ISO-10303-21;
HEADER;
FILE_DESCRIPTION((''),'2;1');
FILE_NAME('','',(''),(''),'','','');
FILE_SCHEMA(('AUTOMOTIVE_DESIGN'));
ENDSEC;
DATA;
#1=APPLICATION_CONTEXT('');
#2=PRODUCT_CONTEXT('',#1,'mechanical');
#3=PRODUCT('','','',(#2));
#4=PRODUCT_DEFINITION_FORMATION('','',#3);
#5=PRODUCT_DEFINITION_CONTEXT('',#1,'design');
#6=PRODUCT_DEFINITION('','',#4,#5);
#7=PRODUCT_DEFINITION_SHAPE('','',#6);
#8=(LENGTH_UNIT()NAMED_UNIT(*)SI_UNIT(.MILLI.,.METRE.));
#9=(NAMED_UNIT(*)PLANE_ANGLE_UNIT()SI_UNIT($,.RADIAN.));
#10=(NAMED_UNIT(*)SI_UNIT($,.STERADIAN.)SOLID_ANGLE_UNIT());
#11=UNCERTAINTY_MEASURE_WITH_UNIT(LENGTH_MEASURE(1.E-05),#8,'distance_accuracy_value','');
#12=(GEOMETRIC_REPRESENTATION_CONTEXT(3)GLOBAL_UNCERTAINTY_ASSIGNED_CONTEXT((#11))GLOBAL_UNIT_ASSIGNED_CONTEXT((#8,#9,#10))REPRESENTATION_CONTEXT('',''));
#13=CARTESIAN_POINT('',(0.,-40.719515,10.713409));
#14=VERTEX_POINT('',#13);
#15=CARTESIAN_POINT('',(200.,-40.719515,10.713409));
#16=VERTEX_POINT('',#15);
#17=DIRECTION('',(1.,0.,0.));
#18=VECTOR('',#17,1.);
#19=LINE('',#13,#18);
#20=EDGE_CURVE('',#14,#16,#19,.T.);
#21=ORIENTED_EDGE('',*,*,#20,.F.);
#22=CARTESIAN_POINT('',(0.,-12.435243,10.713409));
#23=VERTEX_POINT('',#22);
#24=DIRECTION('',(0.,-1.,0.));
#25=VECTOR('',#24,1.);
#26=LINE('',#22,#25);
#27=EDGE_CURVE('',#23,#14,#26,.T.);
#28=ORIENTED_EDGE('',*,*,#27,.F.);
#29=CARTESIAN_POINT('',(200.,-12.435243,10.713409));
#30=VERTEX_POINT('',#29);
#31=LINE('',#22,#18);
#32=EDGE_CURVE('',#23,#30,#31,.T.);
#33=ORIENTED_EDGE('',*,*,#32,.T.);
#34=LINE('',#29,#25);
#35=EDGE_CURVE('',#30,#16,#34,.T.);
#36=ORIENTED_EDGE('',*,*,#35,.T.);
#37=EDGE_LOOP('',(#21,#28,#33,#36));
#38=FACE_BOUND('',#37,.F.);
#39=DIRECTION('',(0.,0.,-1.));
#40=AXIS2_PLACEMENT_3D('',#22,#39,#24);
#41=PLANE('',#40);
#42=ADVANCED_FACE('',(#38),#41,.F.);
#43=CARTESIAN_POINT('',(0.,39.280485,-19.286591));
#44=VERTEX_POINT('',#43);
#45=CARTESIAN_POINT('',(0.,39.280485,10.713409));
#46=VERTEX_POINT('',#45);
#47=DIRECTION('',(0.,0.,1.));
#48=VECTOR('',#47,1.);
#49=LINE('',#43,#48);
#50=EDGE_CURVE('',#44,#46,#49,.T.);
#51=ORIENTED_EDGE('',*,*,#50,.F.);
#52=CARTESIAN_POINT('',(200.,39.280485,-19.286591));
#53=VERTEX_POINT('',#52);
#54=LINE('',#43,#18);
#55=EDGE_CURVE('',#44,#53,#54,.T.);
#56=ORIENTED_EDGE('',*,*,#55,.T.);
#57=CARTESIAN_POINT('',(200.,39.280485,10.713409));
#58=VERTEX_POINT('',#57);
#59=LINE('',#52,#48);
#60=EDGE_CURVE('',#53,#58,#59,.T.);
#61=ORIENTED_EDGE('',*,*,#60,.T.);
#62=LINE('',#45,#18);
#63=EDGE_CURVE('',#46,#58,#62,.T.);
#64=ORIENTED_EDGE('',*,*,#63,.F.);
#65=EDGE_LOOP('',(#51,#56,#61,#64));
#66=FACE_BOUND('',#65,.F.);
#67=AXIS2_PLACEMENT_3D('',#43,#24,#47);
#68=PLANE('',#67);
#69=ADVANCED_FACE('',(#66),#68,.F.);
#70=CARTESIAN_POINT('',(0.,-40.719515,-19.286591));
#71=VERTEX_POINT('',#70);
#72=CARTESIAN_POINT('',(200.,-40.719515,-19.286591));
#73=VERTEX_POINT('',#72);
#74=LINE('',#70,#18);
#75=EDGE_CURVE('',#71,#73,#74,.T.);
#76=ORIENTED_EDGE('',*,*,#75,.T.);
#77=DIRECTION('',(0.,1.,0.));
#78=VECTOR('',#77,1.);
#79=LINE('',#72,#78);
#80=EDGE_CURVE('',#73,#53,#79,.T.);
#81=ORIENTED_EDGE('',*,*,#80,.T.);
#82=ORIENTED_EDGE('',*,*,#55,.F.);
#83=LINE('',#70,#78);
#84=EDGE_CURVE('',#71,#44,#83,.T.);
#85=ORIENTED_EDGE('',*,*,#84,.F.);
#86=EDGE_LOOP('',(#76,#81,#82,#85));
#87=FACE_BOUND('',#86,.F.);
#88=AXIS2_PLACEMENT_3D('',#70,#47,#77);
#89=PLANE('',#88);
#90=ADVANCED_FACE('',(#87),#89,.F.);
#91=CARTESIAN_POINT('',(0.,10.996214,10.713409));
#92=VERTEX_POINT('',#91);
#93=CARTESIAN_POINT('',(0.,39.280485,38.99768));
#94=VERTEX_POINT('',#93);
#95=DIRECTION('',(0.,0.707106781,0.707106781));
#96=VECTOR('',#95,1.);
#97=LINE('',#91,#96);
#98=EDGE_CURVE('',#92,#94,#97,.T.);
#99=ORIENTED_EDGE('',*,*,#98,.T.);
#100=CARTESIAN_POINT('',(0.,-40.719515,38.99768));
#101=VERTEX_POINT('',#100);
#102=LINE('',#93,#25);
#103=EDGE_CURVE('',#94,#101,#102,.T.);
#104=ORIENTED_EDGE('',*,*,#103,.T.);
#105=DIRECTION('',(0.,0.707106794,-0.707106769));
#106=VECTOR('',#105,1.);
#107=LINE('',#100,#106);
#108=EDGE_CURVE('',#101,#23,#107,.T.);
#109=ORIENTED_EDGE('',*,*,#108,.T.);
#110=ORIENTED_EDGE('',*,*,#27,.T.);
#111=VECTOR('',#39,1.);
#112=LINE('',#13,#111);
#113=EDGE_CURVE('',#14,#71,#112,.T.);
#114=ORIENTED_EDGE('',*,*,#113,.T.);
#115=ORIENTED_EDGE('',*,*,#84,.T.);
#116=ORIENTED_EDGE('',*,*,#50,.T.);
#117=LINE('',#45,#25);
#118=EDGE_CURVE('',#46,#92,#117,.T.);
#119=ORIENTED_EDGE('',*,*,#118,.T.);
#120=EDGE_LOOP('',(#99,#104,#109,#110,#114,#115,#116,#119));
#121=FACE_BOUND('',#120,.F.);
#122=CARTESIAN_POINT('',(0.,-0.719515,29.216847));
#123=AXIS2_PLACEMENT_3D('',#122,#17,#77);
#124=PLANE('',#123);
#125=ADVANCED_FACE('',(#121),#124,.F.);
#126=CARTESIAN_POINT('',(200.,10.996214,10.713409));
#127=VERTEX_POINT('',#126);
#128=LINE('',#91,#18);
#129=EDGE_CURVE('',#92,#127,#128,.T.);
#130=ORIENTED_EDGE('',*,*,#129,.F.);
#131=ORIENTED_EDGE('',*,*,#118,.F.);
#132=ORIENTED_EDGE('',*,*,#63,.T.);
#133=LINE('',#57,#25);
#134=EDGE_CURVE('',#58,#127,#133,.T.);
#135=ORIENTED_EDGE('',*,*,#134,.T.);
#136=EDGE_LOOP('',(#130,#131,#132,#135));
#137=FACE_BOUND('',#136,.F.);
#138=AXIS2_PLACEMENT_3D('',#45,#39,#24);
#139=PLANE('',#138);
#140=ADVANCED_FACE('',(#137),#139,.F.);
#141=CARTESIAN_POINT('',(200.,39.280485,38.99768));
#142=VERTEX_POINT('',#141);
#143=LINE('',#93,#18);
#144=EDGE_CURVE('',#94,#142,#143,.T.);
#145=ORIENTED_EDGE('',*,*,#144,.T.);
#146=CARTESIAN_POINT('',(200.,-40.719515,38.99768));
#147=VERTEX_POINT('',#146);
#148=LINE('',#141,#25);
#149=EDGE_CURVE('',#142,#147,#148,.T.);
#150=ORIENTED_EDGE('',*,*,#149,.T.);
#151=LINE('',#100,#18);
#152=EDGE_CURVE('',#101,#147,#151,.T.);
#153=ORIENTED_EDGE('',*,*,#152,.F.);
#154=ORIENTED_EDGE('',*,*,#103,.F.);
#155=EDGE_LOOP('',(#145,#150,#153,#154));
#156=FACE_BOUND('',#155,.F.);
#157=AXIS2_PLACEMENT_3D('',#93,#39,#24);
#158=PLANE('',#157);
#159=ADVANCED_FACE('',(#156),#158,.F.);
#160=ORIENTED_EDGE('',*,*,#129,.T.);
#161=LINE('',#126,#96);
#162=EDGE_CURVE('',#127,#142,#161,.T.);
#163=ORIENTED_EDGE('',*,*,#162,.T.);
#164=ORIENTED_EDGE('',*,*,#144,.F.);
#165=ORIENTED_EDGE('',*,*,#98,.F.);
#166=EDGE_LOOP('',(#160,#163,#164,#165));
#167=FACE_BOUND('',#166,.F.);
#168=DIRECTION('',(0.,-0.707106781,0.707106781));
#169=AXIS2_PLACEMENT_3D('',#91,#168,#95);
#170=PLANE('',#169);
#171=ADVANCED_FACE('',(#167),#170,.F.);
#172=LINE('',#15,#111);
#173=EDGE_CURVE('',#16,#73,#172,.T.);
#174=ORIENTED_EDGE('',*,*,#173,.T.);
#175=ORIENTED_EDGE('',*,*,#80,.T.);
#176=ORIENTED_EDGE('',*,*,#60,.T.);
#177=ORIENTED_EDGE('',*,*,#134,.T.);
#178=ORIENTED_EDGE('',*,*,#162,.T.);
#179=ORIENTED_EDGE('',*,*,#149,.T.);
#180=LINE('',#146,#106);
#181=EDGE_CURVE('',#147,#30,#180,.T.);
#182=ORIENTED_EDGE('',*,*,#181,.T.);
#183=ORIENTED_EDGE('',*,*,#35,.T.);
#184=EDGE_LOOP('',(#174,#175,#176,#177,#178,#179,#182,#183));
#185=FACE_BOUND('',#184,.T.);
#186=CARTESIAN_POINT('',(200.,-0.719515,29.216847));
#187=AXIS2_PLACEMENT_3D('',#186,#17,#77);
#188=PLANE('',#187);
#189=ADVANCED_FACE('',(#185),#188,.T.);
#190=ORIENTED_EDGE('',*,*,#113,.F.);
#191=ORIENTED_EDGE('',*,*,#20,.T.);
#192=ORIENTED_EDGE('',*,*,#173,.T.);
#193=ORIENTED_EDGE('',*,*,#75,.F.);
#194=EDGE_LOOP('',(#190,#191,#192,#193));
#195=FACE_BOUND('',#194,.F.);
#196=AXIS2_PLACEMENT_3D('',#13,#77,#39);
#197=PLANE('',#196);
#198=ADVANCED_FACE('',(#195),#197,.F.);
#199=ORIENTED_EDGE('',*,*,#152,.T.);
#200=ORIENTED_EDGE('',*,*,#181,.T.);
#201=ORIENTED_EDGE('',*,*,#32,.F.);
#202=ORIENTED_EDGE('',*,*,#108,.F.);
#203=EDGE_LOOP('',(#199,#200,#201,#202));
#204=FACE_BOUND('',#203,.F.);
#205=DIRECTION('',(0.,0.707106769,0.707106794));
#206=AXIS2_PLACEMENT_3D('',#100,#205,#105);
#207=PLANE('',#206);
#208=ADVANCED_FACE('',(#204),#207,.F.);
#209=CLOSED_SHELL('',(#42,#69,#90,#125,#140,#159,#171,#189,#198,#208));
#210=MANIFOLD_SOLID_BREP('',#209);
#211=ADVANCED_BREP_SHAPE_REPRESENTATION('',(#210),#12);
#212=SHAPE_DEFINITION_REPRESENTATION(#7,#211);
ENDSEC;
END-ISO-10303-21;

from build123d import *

# Parameters (mm, degrees)
F1_DEPTH = 200


with BuildPart() as f1:
    # F0 (on Right) → F1 (new body)
    with BuildSketch(Plane.YZ):
        Polygon((39.280485, 38.99768), (-40.719515, 38.99768), (-12.435243, 10.713409), (10.996214, 10.713409), align=None)
        Polygon((10.996214, 10.713409), (-12.435243, 10.713409), (-40.719515, 10.713409), (-40.719515, -19.286591), (39.280485, -19.286591), (39.280485, 10.713409), align=None)
    extrude(amount=F1_DEPTH)


solid = f1.part
